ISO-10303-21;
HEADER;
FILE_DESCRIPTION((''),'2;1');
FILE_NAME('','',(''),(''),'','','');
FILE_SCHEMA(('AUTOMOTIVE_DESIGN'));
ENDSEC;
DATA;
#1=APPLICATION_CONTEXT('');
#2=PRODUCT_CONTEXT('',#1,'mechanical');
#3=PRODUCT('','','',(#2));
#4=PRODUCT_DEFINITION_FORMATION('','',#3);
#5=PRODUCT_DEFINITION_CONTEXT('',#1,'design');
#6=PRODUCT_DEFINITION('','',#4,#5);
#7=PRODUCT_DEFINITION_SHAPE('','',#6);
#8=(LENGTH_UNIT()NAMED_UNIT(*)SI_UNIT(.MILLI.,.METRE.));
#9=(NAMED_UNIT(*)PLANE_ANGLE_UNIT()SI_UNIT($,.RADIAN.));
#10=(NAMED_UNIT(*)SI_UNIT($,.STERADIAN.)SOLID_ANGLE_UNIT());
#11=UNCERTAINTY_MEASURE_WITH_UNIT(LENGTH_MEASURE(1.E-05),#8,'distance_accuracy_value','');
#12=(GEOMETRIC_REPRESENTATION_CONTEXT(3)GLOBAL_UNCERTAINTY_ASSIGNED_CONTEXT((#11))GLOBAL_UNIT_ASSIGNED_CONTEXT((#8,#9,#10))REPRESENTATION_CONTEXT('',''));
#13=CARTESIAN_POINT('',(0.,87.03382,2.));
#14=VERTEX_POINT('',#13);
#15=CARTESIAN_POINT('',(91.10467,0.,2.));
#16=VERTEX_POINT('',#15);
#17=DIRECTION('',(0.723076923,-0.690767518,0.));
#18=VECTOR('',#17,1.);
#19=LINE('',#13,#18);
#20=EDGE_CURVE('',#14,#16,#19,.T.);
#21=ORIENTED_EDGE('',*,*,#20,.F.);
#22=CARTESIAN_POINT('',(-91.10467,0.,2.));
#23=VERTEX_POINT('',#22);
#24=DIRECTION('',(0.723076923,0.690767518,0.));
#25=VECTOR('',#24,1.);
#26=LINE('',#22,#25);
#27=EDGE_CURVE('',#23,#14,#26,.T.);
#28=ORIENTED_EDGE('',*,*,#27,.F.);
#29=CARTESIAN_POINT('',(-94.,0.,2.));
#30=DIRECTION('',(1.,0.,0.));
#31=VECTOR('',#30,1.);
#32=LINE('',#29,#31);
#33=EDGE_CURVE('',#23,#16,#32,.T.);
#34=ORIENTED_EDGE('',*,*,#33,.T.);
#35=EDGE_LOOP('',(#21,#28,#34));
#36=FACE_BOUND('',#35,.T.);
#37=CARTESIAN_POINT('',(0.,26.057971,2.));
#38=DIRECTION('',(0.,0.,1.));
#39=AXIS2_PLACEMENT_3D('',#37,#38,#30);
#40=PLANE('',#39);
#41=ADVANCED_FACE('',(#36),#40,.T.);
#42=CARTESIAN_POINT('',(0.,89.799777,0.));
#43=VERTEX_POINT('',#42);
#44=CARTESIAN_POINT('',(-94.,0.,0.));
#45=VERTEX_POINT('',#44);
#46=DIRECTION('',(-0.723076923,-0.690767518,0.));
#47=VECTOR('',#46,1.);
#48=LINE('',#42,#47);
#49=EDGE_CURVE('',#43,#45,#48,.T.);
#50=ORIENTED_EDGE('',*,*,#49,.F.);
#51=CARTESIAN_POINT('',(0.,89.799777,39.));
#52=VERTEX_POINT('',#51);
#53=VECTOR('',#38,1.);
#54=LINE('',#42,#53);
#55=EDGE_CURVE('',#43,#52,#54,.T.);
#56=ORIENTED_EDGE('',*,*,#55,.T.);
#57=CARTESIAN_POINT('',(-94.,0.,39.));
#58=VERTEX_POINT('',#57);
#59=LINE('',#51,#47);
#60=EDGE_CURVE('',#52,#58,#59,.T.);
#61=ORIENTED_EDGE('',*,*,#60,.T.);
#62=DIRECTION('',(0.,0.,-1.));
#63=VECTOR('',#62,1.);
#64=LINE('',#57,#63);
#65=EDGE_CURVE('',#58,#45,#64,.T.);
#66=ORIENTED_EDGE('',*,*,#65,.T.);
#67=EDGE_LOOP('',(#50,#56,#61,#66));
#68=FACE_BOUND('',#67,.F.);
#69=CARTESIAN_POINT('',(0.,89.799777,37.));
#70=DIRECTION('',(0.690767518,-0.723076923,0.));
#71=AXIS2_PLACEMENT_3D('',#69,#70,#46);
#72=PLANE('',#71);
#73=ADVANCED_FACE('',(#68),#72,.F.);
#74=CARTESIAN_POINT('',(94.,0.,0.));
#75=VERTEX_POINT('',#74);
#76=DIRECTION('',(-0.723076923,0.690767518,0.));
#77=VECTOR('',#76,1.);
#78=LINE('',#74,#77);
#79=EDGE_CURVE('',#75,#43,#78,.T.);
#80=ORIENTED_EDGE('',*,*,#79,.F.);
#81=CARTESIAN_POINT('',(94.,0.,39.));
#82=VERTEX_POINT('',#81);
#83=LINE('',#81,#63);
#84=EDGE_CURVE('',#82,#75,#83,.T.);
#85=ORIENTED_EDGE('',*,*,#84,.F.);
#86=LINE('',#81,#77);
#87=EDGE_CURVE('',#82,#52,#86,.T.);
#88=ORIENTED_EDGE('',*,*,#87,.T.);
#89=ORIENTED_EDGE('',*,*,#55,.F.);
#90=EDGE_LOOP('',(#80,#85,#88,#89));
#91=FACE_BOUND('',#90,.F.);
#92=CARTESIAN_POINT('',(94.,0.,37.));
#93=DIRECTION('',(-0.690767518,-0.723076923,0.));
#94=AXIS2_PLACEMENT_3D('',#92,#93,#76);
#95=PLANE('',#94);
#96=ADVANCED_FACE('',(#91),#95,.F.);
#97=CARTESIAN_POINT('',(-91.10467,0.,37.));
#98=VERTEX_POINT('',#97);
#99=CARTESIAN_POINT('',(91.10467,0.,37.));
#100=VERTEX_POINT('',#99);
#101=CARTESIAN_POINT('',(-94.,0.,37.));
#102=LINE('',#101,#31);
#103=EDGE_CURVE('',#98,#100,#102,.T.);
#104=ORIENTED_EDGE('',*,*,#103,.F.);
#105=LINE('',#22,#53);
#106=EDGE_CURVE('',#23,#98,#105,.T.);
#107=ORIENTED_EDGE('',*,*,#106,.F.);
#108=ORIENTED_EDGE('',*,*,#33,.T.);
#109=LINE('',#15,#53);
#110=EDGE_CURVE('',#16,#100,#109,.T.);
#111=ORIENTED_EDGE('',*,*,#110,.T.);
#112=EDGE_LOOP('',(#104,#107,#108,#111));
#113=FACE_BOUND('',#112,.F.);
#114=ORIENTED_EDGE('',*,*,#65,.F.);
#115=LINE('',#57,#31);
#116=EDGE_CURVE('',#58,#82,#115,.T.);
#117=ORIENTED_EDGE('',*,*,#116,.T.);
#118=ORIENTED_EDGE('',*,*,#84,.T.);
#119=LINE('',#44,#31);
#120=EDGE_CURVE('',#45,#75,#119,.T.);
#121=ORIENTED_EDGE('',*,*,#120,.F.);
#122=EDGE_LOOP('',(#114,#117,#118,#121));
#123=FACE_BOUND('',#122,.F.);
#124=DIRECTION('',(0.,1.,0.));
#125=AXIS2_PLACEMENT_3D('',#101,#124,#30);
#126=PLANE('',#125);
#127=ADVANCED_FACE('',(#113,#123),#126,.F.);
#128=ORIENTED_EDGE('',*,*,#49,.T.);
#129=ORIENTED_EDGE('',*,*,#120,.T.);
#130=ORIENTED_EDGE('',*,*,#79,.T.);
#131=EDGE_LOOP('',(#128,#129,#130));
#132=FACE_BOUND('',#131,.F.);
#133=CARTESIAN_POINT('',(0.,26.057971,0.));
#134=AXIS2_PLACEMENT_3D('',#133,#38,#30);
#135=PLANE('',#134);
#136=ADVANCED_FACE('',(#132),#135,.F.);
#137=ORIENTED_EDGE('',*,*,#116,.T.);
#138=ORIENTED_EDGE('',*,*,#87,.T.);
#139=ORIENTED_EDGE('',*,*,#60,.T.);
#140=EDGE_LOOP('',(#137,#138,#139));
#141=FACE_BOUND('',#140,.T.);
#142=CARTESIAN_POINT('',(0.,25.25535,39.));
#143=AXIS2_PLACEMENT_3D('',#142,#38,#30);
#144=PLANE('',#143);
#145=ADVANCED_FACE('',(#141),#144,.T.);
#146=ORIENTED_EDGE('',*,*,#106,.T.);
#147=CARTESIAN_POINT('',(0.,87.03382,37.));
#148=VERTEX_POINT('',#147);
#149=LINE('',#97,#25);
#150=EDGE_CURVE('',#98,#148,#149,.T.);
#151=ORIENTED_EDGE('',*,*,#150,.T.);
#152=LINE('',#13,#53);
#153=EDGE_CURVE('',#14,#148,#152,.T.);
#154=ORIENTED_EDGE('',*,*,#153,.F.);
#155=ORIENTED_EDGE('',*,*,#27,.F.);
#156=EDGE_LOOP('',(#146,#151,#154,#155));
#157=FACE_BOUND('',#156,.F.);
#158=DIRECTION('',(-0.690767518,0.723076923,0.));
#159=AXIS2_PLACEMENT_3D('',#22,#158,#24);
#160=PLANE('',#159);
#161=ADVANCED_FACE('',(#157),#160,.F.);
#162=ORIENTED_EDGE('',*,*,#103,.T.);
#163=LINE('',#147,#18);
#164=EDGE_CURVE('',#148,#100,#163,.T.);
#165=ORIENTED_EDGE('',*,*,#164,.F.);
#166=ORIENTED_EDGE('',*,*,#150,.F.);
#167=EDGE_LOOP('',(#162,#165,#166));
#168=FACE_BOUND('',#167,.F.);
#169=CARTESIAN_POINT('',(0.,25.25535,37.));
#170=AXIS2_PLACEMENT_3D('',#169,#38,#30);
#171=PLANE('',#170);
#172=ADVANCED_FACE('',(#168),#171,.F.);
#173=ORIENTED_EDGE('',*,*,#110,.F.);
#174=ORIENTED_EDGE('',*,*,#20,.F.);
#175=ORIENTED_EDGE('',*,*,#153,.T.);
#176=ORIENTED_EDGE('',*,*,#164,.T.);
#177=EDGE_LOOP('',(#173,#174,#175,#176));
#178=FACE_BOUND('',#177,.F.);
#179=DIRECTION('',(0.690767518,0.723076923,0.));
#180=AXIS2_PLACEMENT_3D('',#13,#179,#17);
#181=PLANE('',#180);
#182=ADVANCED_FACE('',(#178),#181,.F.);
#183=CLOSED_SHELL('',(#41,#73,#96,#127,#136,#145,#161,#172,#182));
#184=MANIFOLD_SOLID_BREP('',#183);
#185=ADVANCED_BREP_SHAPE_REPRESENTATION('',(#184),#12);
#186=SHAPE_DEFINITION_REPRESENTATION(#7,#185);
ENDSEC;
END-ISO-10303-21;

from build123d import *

# Parameters (mm, degrees)
F1_DEPTH = 2
F3_DEPTH = 35
F5_DEPTH = 2


with BuildPart() as f1:
    # F0 (on Top) → F1 (new body)
    with BuildSketch(Plane.XY):
        Polygon((-94, 0), (94, 0), (0, 89.7997772826), align=None)
    extrude(amount=F1_DEPTH)

    # F2 (on face) → F3 (join)
    with BuildSketch(Plane.XY.offset(2)):
        Polygon((-91.1046698793, 0), (0, 87.0338198358), (91.1046698793, 0), (94, 0), (0, 89.7997772826), (-94, 0), align=None)
    extrude(amount=F3_DEPTH)

    # F4 (on face) → F5 (join)
    with BuildSketch(Plane.XY.offset(37)):
        Polygon((-91.1046698793, 0), (91.1046698793, 0), (0, 87.0338198358), align=None)
        Polygon((91.1046698793, 0), (94, 0), (0, 89.7997772826), (-94, 0), (-91.1046698793, 0), (0, 87.0338198358), align=None)
    extrude(amount=F5_DEPTH)


solid = f1.part
